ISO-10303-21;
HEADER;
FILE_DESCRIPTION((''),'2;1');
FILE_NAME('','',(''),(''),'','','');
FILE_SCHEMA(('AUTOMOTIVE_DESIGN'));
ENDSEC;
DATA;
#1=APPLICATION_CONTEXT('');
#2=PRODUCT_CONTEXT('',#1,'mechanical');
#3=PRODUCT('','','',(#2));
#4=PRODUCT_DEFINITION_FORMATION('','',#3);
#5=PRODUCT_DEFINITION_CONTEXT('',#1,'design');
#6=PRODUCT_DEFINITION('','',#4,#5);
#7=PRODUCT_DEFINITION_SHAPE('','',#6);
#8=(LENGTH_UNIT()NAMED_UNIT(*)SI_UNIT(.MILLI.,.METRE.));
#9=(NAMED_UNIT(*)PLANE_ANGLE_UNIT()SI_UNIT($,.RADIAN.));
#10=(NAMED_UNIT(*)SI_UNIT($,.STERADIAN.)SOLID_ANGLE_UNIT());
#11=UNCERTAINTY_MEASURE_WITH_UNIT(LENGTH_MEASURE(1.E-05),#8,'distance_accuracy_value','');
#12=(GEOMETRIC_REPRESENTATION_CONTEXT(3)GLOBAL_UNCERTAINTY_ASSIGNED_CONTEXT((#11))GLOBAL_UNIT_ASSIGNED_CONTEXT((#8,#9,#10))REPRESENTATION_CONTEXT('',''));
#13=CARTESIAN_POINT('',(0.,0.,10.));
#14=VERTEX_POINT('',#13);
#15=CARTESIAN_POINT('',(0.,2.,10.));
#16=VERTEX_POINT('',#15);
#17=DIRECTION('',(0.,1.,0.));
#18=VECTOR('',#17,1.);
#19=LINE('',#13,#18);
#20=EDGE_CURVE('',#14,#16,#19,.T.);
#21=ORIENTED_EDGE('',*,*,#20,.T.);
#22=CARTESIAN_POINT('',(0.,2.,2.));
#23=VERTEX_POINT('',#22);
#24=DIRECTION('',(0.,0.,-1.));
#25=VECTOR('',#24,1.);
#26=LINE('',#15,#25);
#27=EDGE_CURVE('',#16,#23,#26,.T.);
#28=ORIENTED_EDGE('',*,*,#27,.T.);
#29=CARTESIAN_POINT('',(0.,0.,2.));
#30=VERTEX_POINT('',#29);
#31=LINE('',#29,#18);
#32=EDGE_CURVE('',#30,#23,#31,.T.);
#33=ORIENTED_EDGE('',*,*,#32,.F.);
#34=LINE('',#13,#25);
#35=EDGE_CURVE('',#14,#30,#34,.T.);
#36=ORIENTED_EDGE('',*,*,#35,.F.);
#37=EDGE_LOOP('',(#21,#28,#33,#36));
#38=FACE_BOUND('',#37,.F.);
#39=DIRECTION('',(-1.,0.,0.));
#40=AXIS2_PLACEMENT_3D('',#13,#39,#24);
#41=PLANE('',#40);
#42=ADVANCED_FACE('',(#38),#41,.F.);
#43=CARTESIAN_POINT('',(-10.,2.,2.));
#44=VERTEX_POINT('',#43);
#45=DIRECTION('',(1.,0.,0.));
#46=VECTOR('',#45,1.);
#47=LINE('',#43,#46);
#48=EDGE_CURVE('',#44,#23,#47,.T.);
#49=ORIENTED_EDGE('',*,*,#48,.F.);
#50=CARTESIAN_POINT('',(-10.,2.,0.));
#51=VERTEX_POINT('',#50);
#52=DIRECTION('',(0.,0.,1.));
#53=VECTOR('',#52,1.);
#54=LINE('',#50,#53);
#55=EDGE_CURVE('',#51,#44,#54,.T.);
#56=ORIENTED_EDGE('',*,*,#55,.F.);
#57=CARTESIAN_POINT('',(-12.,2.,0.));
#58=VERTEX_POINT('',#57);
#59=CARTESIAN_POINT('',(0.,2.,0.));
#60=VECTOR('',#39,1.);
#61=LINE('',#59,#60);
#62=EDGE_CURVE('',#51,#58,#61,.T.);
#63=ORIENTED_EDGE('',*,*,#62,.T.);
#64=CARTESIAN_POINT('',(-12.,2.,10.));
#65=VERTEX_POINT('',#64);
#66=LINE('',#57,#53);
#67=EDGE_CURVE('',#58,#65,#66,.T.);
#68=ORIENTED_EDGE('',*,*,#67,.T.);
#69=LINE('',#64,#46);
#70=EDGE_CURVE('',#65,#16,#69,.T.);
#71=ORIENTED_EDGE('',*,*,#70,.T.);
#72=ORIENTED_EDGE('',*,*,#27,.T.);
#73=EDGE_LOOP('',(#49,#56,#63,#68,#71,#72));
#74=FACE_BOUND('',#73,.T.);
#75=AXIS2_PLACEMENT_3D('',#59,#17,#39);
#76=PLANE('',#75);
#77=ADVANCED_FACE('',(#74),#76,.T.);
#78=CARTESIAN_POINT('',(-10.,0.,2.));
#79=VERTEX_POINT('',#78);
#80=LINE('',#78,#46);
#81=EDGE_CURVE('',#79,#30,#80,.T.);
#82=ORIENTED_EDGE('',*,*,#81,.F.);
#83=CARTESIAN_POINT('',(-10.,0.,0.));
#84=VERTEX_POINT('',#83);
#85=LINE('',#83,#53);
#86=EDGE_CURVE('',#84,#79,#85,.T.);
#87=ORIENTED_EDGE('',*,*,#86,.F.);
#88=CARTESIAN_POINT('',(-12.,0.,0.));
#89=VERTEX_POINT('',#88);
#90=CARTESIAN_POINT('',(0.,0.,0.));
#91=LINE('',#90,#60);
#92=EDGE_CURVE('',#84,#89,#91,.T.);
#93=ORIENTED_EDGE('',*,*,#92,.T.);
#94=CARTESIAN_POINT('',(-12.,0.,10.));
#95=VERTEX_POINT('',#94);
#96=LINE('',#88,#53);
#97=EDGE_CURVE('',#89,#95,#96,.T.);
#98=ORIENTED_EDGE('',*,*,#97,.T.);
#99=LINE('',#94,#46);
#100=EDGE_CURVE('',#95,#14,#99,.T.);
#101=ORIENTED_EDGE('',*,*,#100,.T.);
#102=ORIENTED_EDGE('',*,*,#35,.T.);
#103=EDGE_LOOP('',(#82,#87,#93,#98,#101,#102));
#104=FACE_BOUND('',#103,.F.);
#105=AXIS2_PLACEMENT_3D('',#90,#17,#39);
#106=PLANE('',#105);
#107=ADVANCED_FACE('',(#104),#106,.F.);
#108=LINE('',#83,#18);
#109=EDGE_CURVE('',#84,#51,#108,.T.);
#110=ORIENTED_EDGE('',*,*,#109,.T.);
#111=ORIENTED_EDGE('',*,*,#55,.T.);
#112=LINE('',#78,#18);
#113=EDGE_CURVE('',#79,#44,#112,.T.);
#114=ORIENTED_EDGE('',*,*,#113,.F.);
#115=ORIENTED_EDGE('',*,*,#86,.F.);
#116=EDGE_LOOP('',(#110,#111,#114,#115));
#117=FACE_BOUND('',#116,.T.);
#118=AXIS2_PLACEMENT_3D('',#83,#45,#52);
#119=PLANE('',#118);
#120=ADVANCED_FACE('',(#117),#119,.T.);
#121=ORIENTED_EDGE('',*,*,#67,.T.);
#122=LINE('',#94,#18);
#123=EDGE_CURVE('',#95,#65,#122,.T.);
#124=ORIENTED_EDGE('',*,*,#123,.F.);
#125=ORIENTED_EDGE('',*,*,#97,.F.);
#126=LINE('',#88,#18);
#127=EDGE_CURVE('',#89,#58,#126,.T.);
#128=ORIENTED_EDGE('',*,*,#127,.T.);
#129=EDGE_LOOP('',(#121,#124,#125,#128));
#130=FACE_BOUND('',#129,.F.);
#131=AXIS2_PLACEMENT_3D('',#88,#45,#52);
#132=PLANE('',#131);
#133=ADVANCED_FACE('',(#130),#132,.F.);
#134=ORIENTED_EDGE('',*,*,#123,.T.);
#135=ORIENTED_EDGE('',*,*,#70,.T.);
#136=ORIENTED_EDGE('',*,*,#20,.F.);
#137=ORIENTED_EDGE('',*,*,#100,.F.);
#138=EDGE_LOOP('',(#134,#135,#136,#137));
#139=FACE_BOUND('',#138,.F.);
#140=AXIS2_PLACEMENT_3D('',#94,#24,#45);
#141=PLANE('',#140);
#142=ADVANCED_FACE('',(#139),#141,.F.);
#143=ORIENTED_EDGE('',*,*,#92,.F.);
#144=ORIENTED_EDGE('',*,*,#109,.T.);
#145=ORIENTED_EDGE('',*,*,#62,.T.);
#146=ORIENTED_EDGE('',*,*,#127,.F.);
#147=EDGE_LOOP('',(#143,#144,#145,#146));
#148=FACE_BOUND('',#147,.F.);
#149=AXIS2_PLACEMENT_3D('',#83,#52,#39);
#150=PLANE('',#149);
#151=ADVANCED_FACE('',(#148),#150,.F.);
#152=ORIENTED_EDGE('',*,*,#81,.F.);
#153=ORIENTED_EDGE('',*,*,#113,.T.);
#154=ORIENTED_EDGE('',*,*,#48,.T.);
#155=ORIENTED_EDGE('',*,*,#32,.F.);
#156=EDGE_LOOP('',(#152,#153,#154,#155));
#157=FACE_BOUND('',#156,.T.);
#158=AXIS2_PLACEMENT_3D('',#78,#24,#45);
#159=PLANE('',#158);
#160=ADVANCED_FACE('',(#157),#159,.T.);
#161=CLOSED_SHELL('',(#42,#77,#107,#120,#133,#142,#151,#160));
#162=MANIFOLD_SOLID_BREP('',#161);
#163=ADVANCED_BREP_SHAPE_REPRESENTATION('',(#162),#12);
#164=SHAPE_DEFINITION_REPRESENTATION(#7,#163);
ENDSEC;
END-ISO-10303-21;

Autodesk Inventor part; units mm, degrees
ref_plane "YZ Plane" through (0, 0, 0) normal (1, 0, 0) x (0, 1, 0)
ref_plane "XZ Plane" through (0, 0, 0) normal (0, 1, 0) x (-1, 0, 0)
ref_plane "XY Plane" through (0, 0, 0) normal (0, 0, 1) x (1, 0, 0)
sketch "Sketch1" plane through (0, 0, 0) normal (0, 1, 0) x (-1, 0, 0)
  line L0 (0, 0) -> (12, 0)
  line L1 (12, 0) -> (12, 10)
  line L2 (12, 10) -> (0, 10)
  line L3 (0, 10) -> (0, 0)
  line L4 (0, 0) -> (10, 0)
  line L5 (10, 0) -> (10, 2)
  line L6 (10, 2) -> (0, 2)
  line L7 (0, 2) -> (0, 0)
  dimension "d0" = 12
  dimension "d1" = 10
  dimension "d2" = 10
  dimension "d3" = 2
extrude "Extrusion1" add sketch "Sketch1" along normal blind 2 contours L5 L6 L3 L2 L1 L0
properties part number "Bocks"
